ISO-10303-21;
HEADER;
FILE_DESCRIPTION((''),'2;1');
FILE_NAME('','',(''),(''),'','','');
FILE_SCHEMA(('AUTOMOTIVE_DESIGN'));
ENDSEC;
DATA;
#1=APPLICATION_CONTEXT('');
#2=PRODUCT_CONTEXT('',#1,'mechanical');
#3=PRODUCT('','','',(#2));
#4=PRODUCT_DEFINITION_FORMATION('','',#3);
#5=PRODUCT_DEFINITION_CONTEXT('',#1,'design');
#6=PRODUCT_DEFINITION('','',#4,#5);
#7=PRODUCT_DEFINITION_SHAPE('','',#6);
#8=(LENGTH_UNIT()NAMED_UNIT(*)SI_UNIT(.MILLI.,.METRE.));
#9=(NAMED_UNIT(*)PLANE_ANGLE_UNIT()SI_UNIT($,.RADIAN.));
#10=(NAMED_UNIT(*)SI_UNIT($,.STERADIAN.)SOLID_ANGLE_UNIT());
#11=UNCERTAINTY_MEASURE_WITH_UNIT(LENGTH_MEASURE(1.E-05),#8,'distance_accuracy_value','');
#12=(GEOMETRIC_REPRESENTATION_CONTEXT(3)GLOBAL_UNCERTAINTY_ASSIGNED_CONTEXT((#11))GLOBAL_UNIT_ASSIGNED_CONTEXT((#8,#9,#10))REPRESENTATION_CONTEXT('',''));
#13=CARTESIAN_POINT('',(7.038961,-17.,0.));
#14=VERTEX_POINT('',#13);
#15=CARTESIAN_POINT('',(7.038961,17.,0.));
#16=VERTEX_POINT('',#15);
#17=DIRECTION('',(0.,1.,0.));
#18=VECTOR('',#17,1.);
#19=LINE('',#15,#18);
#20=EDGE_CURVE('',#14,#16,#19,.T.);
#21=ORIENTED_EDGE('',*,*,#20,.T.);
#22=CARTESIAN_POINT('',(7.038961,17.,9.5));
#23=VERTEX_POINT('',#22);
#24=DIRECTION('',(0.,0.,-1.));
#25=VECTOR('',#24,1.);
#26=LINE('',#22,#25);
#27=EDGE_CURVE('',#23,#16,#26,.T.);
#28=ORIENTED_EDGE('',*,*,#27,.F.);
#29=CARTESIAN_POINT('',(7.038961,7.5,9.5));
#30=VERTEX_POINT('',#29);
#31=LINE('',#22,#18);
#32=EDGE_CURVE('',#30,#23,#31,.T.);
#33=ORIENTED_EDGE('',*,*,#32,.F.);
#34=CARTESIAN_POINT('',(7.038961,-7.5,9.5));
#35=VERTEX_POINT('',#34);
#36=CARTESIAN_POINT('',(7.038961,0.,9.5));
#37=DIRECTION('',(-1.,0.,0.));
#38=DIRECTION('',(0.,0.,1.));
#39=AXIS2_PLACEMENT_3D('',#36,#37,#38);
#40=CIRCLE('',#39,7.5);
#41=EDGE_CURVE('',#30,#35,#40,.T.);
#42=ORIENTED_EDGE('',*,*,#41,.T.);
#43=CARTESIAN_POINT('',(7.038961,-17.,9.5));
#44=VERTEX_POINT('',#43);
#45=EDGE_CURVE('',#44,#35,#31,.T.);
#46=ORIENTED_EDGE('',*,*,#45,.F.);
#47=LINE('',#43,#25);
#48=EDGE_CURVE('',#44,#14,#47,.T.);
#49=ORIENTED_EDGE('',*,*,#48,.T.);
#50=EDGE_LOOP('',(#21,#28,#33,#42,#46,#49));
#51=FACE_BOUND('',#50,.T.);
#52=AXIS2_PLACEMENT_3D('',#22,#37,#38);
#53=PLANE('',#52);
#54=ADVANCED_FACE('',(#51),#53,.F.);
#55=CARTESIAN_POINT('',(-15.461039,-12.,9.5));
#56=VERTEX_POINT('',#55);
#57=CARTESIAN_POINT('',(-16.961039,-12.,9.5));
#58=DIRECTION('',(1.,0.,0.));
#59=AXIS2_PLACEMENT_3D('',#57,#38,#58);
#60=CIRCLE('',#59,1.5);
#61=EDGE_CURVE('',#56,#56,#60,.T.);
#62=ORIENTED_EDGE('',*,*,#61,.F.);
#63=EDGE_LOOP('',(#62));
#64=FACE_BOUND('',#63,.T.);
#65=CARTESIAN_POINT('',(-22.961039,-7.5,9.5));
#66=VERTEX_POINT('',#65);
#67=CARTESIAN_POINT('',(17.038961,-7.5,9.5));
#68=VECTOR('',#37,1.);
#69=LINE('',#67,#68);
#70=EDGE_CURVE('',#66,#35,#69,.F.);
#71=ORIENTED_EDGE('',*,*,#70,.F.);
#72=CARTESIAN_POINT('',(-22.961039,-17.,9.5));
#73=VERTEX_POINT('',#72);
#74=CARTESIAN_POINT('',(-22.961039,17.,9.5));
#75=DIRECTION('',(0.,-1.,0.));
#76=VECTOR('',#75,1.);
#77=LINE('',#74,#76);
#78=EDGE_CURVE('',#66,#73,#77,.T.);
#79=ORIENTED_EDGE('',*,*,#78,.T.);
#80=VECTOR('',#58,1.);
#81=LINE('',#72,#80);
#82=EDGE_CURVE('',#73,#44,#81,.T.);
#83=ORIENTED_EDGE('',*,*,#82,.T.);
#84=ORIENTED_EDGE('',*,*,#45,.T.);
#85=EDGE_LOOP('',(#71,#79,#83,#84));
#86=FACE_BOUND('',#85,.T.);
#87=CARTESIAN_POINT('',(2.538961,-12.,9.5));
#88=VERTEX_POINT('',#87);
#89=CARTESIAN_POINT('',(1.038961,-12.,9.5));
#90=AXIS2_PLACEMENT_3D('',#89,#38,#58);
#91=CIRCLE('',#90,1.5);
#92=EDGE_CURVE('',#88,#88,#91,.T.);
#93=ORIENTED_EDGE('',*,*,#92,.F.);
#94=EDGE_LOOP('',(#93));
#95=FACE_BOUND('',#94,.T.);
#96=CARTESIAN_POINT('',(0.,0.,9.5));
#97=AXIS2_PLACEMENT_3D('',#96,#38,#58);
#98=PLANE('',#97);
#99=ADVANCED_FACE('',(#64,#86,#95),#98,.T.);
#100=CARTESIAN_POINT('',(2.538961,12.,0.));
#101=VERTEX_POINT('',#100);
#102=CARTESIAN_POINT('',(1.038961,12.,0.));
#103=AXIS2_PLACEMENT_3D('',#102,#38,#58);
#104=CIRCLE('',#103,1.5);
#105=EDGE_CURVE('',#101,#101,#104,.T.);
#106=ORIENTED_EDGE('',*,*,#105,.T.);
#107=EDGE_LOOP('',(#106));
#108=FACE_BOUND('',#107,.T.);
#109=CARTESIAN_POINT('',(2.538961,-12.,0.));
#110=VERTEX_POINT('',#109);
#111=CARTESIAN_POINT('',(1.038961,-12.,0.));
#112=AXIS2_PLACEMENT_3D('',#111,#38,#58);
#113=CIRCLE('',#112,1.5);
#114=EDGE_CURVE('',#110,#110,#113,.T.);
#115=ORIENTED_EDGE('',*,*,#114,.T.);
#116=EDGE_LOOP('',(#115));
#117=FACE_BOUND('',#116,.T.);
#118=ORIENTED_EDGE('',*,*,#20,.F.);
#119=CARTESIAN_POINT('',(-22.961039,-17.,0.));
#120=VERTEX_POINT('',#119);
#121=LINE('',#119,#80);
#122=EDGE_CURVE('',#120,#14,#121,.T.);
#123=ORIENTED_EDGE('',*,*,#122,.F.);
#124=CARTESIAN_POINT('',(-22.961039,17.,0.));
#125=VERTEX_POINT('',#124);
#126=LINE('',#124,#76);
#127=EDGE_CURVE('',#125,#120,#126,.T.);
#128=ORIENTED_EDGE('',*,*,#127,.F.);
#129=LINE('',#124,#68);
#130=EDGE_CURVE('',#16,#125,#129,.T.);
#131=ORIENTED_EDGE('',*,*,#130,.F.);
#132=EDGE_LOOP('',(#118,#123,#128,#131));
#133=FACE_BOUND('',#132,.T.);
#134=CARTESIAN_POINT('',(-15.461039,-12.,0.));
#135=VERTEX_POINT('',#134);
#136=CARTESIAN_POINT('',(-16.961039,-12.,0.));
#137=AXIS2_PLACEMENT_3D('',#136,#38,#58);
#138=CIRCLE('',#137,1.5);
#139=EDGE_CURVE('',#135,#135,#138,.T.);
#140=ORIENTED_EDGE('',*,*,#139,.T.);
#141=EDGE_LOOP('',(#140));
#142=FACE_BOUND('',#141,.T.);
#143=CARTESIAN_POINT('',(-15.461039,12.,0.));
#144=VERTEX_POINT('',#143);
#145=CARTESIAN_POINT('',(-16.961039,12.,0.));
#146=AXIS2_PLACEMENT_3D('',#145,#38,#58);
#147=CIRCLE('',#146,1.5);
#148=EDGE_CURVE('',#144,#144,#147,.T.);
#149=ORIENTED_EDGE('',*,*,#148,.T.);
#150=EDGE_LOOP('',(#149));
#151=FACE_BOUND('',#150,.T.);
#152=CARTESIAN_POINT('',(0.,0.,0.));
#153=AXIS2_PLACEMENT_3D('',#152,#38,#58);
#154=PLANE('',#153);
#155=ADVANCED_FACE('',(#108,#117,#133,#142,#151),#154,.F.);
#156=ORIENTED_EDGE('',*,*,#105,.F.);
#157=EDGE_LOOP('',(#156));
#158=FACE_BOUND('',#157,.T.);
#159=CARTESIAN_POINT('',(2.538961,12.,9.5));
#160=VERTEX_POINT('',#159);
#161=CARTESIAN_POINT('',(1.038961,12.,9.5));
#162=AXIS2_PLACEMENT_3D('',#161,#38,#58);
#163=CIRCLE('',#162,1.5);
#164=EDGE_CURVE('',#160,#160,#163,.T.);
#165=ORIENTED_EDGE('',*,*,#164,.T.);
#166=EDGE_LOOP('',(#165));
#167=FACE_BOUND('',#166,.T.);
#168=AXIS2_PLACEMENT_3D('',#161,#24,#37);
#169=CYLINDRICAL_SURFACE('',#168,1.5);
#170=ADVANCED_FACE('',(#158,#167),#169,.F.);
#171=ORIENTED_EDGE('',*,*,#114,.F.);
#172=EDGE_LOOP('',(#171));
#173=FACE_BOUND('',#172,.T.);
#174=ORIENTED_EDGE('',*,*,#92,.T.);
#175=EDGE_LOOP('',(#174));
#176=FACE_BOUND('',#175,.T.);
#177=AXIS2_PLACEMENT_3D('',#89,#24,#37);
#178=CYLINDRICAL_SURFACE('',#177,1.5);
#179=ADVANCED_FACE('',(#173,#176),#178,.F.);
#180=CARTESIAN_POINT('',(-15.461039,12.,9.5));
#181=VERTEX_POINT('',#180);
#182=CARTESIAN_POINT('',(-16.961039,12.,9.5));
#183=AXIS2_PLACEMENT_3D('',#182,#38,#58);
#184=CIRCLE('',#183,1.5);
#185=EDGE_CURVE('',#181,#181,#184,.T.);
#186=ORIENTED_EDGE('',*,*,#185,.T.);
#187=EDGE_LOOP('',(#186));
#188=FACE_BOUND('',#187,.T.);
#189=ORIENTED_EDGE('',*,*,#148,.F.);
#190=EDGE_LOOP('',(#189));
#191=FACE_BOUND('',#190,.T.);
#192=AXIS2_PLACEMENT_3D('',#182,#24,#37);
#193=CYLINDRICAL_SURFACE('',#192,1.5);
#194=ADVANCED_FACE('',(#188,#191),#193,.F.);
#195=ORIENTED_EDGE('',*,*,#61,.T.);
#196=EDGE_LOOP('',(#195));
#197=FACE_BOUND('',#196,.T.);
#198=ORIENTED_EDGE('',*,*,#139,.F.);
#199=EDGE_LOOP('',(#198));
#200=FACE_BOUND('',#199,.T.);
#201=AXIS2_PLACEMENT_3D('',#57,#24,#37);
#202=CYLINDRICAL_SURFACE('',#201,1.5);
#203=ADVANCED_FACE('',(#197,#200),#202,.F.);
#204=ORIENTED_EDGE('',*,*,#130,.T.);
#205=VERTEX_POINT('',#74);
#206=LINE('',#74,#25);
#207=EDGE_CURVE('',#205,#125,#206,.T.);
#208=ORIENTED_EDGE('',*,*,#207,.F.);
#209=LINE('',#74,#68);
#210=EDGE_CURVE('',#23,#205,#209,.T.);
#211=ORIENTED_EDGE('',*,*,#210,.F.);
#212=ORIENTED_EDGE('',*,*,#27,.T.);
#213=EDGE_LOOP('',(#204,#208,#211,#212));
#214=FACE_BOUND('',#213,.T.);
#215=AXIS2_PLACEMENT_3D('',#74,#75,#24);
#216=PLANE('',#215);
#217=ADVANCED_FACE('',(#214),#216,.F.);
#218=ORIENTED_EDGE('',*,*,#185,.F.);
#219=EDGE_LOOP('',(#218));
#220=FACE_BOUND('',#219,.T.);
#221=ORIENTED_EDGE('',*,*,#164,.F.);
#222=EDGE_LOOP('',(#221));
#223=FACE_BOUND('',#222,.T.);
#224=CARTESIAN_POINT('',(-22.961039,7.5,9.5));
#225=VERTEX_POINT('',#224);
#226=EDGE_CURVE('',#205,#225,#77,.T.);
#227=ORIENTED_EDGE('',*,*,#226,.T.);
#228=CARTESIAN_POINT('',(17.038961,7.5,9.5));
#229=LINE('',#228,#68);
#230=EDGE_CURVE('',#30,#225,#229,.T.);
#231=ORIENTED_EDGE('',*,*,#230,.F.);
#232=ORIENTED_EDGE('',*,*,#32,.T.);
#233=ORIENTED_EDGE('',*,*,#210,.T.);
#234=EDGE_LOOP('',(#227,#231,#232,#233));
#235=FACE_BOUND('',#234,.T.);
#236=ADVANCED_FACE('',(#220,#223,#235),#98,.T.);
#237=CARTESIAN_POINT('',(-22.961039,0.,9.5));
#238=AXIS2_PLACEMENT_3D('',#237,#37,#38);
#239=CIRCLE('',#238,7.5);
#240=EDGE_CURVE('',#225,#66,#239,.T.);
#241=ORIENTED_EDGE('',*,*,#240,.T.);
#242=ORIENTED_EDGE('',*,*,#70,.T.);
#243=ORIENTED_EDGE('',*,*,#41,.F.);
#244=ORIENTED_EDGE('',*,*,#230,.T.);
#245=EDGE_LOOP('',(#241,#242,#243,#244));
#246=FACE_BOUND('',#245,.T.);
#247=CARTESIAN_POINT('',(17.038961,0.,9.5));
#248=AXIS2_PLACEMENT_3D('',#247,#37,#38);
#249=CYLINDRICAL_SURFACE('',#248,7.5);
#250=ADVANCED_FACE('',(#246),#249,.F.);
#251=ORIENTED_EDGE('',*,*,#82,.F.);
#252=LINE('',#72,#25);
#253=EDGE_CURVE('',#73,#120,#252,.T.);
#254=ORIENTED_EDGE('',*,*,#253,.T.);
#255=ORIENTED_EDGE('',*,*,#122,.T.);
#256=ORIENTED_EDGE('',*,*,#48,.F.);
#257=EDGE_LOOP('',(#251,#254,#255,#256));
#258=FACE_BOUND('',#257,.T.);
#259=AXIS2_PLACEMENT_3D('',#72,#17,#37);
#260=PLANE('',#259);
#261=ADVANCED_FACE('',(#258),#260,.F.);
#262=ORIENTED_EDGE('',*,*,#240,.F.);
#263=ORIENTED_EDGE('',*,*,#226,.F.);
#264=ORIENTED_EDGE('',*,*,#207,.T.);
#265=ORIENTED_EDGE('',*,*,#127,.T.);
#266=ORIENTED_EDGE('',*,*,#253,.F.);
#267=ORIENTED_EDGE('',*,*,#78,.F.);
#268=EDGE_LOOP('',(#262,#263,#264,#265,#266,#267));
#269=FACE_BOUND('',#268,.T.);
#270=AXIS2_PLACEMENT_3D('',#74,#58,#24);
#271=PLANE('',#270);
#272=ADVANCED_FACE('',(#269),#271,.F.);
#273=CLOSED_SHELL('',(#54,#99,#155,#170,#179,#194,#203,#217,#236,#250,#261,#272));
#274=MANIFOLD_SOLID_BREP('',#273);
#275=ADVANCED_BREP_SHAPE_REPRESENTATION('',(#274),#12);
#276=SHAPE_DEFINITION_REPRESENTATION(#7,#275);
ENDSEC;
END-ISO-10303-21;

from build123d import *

# Parameters (mm, degrees)
SKETCH_1_W          = 30
SKETCH_1_H          = 34
SKETCH_1_R          = 1.5
EXTRUDE_2_DEPTH     = 9.5
SKETCH_3_R          = 7.5
CUT_EXTRUDE_1_DEPTH = 40


with BuildPart() as part:
    # 草图1 → 凸台-拉伸2 (new body)
    with BuildSketch(Plane.XY):
        with Locations((-7.961038961, 0)):
            Rectangle(SKETCH_1_W, SKETCH_1_H)
        with Locations((1.038961039, 12)):
            Circle(SKETCH_1_R, mode=Mode.SUBTRACT)
        with Locations((-16.961038961, 12)):
            Circle(SKETCH_1_R, mode=Mode.SUBTRACT)
        with Locations((1.038961039, -12)):
            Circle(SKETCH_1_R, mode=Mode.SUBTRACT)
        with Locations((-16.961038961, -12)):
            Circle(SKETCH_1_R, mode=Mode.SUBTRACT)
    extrude(amount=EXTRUDE_2_DEPTH)

    # 草图3 → 切除-拉伸1 (cut)
    with BuildSketch(Plane.ZY.offset(22.961038961)):
        with Locations((9.5, 0)):
            Circle(SKETCH_3_R)
    extrude(amount=-CUT_EXTRUDE_1_DEPTH, mode=Mode.SUBTRACT)


solid = part.part
